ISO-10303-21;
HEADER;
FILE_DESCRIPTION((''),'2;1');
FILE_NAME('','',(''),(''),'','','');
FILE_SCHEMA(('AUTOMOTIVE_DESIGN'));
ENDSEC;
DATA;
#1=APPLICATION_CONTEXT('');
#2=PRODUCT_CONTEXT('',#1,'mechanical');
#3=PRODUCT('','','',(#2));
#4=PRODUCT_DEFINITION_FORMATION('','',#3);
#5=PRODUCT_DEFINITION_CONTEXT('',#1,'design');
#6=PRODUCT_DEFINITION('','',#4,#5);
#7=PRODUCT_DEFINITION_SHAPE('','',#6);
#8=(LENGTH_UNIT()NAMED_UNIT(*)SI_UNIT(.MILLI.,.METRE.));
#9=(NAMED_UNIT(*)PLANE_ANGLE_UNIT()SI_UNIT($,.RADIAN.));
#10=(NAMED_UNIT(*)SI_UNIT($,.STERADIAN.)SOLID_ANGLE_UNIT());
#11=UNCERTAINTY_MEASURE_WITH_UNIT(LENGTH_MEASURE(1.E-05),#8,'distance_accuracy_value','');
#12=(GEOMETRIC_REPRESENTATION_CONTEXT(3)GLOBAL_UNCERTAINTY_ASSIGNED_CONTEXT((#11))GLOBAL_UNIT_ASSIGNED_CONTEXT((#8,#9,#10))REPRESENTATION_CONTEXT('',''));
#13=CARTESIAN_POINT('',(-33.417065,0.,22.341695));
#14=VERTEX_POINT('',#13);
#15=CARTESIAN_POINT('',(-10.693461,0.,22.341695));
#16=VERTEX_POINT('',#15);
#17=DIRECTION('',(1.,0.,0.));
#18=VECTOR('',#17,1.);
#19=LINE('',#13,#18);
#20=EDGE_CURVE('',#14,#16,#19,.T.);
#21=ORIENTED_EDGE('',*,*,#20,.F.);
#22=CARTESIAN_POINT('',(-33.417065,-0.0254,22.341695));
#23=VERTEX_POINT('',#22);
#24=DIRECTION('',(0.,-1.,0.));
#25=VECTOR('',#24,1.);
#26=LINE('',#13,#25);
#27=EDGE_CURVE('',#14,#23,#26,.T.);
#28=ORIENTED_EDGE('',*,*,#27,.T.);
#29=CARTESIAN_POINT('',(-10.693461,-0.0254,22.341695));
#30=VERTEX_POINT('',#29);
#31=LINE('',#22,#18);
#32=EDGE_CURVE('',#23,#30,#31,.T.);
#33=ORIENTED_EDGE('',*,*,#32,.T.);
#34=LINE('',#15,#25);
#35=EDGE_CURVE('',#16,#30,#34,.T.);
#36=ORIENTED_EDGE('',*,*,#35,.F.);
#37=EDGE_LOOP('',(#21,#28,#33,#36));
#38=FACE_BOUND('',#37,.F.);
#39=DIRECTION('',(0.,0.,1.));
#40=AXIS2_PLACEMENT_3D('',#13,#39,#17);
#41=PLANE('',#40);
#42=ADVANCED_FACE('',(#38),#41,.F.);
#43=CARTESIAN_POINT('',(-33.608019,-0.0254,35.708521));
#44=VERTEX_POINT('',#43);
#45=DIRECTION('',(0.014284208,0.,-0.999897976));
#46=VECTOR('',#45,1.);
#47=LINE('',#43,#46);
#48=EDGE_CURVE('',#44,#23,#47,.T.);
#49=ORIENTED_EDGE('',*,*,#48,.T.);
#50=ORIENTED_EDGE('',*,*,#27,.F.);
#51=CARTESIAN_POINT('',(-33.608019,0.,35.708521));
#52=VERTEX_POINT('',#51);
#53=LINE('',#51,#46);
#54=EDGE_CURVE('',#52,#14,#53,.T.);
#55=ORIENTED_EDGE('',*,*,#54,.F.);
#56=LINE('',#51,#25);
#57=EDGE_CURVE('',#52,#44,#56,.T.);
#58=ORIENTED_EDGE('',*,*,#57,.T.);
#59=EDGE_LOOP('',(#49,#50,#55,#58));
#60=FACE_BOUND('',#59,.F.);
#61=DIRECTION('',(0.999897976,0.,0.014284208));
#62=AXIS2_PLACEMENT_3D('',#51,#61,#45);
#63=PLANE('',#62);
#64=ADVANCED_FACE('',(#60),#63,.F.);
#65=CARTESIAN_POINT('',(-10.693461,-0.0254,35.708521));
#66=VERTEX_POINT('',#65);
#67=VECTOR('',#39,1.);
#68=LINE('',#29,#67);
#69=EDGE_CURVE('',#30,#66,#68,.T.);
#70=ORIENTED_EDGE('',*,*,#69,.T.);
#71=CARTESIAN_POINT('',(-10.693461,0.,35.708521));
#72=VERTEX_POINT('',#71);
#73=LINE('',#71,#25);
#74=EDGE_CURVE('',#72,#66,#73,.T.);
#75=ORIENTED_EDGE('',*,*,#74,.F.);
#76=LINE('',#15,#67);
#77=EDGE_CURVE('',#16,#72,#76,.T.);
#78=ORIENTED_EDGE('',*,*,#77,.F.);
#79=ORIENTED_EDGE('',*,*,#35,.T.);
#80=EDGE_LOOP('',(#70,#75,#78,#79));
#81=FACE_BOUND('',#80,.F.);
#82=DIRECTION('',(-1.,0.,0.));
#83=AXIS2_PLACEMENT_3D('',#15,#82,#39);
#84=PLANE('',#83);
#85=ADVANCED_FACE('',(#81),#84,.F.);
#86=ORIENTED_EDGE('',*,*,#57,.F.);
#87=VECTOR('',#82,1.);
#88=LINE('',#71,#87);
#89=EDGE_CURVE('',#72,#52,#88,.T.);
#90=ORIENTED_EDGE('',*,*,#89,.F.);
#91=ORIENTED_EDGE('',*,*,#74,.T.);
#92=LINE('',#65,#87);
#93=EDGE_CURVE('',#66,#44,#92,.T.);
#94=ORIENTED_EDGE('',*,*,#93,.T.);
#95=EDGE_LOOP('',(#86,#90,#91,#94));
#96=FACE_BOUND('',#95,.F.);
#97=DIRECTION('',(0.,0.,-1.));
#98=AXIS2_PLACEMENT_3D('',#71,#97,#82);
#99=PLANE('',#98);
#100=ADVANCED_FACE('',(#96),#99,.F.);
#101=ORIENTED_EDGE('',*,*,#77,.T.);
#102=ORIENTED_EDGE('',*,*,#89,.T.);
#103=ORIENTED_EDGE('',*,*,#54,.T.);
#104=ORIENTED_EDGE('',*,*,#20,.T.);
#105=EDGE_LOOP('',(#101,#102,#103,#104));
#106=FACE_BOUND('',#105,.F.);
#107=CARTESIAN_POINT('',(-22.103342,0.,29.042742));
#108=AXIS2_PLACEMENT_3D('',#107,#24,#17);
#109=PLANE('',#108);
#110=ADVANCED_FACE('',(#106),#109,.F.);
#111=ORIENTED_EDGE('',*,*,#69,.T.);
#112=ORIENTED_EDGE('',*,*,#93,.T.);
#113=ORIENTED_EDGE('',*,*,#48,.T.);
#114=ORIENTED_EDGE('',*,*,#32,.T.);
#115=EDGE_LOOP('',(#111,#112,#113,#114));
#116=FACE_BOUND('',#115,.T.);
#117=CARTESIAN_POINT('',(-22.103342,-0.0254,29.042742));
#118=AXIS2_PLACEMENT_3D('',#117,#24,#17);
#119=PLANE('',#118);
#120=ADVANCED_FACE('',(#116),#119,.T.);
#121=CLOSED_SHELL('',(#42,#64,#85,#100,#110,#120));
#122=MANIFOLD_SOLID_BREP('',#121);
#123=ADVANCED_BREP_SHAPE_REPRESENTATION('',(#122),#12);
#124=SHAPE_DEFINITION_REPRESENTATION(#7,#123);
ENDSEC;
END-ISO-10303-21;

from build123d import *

# Parameters (mm, degrees)
F1_DEPTH = 0.254
F3_DEPTH = 0.0254


with BuildPart() as f1:
    # F0 (on Front) → F1 (new body)
    with BuildSketch(Plane.XZ):
        Polygon((-41.43716, 34.944702), (-60.532626, 35.326611), (-60.532626, 21.195969), (-41.43716, 21.195969), align=None)
    extrude(amount=F1_DEPTH)


with BuildPart() as f3:
    # F2 (on Front) → F3 (new body)
    with BuildSketch(Plane.XZ):
        Polygon((-10.693461, 35.708521), (-33.608019, 35.708521), (-33.417065, 22.341695), (-10.693461, 22.341695), align=None)
    extrude(amount=F3_DEPTH)


solid = f3.part
